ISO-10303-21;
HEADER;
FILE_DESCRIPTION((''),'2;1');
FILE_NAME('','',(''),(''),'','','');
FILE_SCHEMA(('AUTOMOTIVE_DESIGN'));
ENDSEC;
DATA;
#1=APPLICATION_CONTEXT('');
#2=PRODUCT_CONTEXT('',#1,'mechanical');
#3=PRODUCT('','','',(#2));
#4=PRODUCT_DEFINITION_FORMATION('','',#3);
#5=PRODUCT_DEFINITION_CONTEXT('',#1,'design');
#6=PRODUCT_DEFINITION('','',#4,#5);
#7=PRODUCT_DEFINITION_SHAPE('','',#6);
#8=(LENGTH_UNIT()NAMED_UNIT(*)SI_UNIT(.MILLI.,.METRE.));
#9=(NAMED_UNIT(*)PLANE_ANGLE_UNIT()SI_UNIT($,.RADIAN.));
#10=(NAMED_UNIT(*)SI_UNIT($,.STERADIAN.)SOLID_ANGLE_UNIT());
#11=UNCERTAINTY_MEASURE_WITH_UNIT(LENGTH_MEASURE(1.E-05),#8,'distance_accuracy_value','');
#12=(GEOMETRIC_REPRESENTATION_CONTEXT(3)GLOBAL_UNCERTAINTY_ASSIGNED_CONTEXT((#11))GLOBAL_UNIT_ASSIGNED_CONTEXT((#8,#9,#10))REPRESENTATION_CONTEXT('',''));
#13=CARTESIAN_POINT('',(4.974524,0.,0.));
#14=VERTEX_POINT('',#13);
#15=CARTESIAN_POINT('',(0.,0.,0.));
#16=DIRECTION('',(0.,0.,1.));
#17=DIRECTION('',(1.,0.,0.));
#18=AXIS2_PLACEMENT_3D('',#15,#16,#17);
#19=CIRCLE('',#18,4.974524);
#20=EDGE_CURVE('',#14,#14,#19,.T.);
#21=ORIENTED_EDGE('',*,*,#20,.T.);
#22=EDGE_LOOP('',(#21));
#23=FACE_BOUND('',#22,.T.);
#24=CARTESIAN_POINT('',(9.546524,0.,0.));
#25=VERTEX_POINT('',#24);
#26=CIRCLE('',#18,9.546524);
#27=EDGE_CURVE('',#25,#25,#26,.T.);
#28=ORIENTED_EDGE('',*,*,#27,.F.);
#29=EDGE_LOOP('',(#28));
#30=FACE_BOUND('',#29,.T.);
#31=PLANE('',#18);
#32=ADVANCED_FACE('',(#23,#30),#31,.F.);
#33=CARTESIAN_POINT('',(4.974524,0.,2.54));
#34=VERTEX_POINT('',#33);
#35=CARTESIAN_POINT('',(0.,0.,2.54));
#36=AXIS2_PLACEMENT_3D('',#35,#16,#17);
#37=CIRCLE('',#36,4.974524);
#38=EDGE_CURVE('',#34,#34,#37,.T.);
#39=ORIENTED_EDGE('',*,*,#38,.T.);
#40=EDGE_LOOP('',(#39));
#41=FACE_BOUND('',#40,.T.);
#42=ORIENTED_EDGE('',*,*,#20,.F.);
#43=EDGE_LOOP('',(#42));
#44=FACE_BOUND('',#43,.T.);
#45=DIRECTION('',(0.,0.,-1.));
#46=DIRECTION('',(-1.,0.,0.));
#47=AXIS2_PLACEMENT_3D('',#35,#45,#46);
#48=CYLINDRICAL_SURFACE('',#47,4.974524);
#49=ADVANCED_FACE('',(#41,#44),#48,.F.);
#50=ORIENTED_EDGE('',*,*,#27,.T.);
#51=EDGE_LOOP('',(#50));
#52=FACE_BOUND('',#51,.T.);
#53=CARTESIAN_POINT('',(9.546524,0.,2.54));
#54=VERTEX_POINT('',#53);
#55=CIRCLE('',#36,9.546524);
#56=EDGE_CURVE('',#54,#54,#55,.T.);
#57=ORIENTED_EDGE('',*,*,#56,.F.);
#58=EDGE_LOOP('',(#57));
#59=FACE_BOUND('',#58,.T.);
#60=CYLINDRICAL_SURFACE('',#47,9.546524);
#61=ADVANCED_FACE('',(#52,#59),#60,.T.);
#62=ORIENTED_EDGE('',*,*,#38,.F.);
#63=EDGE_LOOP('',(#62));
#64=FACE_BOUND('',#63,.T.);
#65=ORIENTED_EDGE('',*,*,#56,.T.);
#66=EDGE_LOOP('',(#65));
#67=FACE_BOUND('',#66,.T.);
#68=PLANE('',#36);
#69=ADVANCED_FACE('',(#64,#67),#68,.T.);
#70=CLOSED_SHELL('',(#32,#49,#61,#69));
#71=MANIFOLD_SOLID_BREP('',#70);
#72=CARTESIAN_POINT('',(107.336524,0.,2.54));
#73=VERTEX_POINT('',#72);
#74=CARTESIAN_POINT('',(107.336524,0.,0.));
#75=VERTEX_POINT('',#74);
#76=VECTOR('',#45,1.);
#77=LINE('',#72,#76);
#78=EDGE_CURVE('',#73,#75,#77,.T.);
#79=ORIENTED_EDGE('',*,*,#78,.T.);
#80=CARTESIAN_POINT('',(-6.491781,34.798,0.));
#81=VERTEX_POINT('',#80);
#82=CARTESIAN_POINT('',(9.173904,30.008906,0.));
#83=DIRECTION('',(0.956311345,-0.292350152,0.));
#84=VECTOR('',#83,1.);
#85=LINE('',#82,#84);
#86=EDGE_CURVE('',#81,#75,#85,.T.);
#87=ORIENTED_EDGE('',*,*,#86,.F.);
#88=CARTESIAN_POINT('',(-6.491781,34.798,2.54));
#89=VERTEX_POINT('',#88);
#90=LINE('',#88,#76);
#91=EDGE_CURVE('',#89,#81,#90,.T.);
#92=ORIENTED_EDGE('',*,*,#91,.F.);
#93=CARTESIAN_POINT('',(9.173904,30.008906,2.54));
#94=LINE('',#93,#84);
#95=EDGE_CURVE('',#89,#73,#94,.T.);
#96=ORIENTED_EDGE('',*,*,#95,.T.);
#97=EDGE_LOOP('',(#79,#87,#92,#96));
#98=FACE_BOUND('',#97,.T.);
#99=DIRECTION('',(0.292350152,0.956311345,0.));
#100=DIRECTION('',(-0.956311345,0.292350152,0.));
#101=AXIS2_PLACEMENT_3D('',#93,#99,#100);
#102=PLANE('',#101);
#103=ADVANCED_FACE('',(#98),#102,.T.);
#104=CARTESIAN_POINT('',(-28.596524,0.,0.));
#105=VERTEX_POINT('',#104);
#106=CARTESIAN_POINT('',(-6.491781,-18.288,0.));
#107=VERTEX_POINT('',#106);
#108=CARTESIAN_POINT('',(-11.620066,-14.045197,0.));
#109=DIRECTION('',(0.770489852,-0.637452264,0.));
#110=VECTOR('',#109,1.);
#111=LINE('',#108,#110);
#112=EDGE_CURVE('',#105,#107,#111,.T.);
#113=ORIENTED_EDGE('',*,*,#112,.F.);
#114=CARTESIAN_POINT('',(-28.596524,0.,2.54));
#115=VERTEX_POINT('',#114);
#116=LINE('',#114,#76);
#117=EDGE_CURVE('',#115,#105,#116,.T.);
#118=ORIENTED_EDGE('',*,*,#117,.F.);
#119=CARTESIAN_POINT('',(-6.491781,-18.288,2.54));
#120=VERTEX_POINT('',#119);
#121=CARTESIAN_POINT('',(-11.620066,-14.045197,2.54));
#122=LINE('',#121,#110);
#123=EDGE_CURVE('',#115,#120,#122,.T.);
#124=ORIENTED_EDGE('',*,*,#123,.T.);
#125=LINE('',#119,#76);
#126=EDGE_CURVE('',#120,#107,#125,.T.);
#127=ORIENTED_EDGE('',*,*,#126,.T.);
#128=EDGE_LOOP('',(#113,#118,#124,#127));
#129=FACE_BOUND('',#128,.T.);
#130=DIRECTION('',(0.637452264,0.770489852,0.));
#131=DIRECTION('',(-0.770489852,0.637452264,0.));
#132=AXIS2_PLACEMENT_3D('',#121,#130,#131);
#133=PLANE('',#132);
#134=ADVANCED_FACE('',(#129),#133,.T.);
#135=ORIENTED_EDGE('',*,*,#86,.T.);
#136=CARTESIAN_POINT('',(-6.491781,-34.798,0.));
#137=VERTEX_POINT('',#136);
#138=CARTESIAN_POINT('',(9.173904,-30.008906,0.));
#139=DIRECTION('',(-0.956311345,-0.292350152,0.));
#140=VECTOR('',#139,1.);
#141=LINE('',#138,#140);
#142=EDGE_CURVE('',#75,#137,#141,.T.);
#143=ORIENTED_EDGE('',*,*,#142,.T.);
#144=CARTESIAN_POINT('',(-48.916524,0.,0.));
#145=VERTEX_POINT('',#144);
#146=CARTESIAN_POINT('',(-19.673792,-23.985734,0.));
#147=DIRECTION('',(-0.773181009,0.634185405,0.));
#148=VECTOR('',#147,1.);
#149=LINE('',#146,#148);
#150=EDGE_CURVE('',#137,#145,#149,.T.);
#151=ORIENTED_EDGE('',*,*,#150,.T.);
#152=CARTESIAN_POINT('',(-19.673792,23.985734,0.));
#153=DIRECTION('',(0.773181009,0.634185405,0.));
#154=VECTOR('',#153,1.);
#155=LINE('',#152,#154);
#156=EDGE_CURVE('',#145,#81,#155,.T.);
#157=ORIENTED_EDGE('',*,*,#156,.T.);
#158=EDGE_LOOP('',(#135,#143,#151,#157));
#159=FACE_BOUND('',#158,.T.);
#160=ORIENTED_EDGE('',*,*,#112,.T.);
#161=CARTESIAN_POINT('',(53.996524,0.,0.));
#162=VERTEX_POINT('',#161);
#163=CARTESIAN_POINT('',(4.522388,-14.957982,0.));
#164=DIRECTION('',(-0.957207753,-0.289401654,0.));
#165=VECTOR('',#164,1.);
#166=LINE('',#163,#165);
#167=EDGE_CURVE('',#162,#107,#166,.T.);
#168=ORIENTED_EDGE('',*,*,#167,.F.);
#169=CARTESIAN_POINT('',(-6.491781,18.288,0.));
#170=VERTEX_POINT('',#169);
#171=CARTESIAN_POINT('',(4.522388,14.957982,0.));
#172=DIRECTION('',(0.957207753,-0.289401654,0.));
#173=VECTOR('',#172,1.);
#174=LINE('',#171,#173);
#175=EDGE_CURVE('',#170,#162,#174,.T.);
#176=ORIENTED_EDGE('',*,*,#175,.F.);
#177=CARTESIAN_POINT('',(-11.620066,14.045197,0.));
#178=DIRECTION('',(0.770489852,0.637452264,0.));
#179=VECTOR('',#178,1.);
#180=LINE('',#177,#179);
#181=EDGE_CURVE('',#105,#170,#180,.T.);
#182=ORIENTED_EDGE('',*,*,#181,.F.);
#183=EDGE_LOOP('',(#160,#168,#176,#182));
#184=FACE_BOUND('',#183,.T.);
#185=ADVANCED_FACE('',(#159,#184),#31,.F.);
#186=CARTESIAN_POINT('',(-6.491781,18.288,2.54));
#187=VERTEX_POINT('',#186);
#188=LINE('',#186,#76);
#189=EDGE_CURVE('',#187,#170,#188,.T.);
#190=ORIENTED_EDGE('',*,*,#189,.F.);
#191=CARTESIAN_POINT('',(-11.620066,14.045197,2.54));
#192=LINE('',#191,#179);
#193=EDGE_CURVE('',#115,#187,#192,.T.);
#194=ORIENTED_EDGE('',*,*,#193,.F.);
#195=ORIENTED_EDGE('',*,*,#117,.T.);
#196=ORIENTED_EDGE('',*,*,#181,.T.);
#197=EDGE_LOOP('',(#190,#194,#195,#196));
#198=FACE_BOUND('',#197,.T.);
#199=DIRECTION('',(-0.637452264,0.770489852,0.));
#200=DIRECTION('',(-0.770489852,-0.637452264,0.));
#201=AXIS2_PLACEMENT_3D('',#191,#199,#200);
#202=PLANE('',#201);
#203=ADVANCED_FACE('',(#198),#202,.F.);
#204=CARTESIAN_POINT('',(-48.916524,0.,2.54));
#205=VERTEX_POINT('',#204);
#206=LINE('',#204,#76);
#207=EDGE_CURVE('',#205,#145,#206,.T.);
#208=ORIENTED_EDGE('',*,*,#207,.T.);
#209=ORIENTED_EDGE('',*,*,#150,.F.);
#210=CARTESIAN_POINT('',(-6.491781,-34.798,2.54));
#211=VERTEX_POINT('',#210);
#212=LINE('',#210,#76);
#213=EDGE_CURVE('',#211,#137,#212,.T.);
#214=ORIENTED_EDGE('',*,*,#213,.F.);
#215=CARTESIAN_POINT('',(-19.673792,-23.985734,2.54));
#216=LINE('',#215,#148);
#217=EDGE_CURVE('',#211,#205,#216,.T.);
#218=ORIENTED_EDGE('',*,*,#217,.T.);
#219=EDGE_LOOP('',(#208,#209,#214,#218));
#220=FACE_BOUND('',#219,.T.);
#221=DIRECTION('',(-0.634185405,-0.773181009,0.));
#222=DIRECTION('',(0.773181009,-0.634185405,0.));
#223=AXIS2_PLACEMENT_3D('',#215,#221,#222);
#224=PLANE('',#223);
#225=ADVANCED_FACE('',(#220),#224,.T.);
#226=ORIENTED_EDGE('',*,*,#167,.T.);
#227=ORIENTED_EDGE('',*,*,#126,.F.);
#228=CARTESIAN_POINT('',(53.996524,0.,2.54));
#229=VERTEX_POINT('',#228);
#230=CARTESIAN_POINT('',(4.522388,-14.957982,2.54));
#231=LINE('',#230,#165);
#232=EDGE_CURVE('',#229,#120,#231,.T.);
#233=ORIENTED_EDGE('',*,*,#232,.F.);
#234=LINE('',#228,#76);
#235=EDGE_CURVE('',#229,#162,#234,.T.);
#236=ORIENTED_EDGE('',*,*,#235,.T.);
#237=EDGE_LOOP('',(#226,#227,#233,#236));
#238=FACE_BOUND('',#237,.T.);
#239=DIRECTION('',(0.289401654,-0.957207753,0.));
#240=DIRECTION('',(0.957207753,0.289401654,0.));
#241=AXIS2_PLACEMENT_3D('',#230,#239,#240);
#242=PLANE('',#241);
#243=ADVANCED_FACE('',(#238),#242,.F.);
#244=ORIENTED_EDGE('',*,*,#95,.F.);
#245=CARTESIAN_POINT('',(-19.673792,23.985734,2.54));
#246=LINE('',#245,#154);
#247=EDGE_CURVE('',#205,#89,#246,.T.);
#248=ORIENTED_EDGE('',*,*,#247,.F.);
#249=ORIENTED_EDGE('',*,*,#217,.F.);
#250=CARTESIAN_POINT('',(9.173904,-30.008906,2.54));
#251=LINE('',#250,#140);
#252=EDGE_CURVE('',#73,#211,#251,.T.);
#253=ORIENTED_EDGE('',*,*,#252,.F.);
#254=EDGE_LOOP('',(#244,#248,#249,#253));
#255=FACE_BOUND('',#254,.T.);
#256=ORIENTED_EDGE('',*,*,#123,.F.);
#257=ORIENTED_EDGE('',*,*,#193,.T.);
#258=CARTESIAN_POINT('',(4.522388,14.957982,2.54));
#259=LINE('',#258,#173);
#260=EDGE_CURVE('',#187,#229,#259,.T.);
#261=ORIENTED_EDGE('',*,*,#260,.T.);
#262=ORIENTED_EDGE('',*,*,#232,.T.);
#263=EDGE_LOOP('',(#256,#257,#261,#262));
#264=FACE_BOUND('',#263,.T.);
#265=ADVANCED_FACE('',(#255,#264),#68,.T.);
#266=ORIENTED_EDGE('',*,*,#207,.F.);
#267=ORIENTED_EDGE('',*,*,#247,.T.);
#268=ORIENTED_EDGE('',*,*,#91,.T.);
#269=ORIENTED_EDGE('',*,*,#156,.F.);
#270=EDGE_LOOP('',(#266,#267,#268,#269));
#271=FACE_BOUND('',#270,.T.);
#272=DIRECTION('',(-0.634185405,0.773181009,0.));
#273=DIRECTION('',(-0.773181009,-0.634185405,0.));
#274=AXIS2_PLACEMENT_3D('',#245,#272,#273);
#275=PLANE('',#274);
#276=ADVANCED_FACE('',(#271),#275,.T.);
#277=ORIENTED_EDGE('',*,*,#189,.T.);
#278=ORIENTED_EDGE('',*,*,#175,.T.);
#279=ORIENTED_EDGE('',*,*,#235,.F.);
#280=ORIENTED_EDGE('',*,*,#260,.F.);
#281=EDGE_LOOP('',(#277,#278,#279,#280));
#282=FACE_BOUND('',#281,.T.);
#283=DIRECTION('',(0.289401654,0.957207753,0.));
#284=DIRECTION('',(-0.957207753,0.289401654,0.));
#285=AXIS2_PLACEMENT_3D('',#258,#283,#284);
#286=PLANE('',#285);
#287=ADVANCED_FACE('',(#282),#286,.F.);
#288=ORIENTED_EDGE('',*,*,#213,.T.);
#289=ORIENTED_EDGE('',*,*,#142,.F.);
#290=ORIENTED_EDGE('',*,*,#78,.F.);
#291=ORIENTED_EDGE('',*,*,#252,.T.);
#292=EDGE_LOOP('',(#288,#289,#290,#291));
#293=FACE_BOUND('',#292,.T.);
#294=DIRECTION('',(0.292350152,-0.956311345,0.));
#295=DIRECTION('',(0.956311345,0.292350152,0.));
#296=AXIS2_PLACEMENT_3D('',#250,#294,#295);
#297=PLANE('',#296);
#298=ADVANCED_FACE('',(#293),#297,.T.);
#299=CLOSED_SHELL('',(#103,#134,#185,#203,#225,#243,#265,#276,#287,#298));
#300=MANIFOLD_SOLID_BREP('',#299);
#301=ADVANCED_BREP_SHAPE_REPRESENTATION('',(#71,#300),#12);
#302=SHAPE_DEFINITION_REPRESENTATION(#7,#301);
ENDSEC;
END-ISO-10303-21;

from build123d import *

# Parameters (mm, degrees)
BOSS_EXTRUDE1_DEPTH   = 2.54
SKETCH1_R             = 9.546523702
SKETCH1_R_2           = 4.974523702
BOSS_EXTRUDE1_2_DEPTH = 2.54


with BuildPart() as part:
    # Sketch1 → Boss-Extrude1 (new body)
    with BuildSketch(Plane.XY):
        Polygon((-48.916523702, 0), (-6.491780802, 34.798), (107.336523702, 0), (-6.491780802, -34.798), align=None)
        Polygon((-28.596523702, 0), (-6.491780802, -18.288), (53.996523702, 0), (-6.491780802, 18.288), align=None, mode=Mode.SUBTRACT)
    extrude(amount=BOSS_EXTRUDE1_DEPTH)


with BuildPart() as body_2:
    # Sketch1 → Boss-Extrude1 2 (new body)
    with BuildSketch(Plane.XY):
        Circle(SKETCH1_R)
        Circle(SKETCH1_R_2, mode=Mode.SUBTRACT)
    extrude(amount=BOSS_EXTRUDE1_2_DEPTH)


solid = Compound([part.part, body_2.part])
